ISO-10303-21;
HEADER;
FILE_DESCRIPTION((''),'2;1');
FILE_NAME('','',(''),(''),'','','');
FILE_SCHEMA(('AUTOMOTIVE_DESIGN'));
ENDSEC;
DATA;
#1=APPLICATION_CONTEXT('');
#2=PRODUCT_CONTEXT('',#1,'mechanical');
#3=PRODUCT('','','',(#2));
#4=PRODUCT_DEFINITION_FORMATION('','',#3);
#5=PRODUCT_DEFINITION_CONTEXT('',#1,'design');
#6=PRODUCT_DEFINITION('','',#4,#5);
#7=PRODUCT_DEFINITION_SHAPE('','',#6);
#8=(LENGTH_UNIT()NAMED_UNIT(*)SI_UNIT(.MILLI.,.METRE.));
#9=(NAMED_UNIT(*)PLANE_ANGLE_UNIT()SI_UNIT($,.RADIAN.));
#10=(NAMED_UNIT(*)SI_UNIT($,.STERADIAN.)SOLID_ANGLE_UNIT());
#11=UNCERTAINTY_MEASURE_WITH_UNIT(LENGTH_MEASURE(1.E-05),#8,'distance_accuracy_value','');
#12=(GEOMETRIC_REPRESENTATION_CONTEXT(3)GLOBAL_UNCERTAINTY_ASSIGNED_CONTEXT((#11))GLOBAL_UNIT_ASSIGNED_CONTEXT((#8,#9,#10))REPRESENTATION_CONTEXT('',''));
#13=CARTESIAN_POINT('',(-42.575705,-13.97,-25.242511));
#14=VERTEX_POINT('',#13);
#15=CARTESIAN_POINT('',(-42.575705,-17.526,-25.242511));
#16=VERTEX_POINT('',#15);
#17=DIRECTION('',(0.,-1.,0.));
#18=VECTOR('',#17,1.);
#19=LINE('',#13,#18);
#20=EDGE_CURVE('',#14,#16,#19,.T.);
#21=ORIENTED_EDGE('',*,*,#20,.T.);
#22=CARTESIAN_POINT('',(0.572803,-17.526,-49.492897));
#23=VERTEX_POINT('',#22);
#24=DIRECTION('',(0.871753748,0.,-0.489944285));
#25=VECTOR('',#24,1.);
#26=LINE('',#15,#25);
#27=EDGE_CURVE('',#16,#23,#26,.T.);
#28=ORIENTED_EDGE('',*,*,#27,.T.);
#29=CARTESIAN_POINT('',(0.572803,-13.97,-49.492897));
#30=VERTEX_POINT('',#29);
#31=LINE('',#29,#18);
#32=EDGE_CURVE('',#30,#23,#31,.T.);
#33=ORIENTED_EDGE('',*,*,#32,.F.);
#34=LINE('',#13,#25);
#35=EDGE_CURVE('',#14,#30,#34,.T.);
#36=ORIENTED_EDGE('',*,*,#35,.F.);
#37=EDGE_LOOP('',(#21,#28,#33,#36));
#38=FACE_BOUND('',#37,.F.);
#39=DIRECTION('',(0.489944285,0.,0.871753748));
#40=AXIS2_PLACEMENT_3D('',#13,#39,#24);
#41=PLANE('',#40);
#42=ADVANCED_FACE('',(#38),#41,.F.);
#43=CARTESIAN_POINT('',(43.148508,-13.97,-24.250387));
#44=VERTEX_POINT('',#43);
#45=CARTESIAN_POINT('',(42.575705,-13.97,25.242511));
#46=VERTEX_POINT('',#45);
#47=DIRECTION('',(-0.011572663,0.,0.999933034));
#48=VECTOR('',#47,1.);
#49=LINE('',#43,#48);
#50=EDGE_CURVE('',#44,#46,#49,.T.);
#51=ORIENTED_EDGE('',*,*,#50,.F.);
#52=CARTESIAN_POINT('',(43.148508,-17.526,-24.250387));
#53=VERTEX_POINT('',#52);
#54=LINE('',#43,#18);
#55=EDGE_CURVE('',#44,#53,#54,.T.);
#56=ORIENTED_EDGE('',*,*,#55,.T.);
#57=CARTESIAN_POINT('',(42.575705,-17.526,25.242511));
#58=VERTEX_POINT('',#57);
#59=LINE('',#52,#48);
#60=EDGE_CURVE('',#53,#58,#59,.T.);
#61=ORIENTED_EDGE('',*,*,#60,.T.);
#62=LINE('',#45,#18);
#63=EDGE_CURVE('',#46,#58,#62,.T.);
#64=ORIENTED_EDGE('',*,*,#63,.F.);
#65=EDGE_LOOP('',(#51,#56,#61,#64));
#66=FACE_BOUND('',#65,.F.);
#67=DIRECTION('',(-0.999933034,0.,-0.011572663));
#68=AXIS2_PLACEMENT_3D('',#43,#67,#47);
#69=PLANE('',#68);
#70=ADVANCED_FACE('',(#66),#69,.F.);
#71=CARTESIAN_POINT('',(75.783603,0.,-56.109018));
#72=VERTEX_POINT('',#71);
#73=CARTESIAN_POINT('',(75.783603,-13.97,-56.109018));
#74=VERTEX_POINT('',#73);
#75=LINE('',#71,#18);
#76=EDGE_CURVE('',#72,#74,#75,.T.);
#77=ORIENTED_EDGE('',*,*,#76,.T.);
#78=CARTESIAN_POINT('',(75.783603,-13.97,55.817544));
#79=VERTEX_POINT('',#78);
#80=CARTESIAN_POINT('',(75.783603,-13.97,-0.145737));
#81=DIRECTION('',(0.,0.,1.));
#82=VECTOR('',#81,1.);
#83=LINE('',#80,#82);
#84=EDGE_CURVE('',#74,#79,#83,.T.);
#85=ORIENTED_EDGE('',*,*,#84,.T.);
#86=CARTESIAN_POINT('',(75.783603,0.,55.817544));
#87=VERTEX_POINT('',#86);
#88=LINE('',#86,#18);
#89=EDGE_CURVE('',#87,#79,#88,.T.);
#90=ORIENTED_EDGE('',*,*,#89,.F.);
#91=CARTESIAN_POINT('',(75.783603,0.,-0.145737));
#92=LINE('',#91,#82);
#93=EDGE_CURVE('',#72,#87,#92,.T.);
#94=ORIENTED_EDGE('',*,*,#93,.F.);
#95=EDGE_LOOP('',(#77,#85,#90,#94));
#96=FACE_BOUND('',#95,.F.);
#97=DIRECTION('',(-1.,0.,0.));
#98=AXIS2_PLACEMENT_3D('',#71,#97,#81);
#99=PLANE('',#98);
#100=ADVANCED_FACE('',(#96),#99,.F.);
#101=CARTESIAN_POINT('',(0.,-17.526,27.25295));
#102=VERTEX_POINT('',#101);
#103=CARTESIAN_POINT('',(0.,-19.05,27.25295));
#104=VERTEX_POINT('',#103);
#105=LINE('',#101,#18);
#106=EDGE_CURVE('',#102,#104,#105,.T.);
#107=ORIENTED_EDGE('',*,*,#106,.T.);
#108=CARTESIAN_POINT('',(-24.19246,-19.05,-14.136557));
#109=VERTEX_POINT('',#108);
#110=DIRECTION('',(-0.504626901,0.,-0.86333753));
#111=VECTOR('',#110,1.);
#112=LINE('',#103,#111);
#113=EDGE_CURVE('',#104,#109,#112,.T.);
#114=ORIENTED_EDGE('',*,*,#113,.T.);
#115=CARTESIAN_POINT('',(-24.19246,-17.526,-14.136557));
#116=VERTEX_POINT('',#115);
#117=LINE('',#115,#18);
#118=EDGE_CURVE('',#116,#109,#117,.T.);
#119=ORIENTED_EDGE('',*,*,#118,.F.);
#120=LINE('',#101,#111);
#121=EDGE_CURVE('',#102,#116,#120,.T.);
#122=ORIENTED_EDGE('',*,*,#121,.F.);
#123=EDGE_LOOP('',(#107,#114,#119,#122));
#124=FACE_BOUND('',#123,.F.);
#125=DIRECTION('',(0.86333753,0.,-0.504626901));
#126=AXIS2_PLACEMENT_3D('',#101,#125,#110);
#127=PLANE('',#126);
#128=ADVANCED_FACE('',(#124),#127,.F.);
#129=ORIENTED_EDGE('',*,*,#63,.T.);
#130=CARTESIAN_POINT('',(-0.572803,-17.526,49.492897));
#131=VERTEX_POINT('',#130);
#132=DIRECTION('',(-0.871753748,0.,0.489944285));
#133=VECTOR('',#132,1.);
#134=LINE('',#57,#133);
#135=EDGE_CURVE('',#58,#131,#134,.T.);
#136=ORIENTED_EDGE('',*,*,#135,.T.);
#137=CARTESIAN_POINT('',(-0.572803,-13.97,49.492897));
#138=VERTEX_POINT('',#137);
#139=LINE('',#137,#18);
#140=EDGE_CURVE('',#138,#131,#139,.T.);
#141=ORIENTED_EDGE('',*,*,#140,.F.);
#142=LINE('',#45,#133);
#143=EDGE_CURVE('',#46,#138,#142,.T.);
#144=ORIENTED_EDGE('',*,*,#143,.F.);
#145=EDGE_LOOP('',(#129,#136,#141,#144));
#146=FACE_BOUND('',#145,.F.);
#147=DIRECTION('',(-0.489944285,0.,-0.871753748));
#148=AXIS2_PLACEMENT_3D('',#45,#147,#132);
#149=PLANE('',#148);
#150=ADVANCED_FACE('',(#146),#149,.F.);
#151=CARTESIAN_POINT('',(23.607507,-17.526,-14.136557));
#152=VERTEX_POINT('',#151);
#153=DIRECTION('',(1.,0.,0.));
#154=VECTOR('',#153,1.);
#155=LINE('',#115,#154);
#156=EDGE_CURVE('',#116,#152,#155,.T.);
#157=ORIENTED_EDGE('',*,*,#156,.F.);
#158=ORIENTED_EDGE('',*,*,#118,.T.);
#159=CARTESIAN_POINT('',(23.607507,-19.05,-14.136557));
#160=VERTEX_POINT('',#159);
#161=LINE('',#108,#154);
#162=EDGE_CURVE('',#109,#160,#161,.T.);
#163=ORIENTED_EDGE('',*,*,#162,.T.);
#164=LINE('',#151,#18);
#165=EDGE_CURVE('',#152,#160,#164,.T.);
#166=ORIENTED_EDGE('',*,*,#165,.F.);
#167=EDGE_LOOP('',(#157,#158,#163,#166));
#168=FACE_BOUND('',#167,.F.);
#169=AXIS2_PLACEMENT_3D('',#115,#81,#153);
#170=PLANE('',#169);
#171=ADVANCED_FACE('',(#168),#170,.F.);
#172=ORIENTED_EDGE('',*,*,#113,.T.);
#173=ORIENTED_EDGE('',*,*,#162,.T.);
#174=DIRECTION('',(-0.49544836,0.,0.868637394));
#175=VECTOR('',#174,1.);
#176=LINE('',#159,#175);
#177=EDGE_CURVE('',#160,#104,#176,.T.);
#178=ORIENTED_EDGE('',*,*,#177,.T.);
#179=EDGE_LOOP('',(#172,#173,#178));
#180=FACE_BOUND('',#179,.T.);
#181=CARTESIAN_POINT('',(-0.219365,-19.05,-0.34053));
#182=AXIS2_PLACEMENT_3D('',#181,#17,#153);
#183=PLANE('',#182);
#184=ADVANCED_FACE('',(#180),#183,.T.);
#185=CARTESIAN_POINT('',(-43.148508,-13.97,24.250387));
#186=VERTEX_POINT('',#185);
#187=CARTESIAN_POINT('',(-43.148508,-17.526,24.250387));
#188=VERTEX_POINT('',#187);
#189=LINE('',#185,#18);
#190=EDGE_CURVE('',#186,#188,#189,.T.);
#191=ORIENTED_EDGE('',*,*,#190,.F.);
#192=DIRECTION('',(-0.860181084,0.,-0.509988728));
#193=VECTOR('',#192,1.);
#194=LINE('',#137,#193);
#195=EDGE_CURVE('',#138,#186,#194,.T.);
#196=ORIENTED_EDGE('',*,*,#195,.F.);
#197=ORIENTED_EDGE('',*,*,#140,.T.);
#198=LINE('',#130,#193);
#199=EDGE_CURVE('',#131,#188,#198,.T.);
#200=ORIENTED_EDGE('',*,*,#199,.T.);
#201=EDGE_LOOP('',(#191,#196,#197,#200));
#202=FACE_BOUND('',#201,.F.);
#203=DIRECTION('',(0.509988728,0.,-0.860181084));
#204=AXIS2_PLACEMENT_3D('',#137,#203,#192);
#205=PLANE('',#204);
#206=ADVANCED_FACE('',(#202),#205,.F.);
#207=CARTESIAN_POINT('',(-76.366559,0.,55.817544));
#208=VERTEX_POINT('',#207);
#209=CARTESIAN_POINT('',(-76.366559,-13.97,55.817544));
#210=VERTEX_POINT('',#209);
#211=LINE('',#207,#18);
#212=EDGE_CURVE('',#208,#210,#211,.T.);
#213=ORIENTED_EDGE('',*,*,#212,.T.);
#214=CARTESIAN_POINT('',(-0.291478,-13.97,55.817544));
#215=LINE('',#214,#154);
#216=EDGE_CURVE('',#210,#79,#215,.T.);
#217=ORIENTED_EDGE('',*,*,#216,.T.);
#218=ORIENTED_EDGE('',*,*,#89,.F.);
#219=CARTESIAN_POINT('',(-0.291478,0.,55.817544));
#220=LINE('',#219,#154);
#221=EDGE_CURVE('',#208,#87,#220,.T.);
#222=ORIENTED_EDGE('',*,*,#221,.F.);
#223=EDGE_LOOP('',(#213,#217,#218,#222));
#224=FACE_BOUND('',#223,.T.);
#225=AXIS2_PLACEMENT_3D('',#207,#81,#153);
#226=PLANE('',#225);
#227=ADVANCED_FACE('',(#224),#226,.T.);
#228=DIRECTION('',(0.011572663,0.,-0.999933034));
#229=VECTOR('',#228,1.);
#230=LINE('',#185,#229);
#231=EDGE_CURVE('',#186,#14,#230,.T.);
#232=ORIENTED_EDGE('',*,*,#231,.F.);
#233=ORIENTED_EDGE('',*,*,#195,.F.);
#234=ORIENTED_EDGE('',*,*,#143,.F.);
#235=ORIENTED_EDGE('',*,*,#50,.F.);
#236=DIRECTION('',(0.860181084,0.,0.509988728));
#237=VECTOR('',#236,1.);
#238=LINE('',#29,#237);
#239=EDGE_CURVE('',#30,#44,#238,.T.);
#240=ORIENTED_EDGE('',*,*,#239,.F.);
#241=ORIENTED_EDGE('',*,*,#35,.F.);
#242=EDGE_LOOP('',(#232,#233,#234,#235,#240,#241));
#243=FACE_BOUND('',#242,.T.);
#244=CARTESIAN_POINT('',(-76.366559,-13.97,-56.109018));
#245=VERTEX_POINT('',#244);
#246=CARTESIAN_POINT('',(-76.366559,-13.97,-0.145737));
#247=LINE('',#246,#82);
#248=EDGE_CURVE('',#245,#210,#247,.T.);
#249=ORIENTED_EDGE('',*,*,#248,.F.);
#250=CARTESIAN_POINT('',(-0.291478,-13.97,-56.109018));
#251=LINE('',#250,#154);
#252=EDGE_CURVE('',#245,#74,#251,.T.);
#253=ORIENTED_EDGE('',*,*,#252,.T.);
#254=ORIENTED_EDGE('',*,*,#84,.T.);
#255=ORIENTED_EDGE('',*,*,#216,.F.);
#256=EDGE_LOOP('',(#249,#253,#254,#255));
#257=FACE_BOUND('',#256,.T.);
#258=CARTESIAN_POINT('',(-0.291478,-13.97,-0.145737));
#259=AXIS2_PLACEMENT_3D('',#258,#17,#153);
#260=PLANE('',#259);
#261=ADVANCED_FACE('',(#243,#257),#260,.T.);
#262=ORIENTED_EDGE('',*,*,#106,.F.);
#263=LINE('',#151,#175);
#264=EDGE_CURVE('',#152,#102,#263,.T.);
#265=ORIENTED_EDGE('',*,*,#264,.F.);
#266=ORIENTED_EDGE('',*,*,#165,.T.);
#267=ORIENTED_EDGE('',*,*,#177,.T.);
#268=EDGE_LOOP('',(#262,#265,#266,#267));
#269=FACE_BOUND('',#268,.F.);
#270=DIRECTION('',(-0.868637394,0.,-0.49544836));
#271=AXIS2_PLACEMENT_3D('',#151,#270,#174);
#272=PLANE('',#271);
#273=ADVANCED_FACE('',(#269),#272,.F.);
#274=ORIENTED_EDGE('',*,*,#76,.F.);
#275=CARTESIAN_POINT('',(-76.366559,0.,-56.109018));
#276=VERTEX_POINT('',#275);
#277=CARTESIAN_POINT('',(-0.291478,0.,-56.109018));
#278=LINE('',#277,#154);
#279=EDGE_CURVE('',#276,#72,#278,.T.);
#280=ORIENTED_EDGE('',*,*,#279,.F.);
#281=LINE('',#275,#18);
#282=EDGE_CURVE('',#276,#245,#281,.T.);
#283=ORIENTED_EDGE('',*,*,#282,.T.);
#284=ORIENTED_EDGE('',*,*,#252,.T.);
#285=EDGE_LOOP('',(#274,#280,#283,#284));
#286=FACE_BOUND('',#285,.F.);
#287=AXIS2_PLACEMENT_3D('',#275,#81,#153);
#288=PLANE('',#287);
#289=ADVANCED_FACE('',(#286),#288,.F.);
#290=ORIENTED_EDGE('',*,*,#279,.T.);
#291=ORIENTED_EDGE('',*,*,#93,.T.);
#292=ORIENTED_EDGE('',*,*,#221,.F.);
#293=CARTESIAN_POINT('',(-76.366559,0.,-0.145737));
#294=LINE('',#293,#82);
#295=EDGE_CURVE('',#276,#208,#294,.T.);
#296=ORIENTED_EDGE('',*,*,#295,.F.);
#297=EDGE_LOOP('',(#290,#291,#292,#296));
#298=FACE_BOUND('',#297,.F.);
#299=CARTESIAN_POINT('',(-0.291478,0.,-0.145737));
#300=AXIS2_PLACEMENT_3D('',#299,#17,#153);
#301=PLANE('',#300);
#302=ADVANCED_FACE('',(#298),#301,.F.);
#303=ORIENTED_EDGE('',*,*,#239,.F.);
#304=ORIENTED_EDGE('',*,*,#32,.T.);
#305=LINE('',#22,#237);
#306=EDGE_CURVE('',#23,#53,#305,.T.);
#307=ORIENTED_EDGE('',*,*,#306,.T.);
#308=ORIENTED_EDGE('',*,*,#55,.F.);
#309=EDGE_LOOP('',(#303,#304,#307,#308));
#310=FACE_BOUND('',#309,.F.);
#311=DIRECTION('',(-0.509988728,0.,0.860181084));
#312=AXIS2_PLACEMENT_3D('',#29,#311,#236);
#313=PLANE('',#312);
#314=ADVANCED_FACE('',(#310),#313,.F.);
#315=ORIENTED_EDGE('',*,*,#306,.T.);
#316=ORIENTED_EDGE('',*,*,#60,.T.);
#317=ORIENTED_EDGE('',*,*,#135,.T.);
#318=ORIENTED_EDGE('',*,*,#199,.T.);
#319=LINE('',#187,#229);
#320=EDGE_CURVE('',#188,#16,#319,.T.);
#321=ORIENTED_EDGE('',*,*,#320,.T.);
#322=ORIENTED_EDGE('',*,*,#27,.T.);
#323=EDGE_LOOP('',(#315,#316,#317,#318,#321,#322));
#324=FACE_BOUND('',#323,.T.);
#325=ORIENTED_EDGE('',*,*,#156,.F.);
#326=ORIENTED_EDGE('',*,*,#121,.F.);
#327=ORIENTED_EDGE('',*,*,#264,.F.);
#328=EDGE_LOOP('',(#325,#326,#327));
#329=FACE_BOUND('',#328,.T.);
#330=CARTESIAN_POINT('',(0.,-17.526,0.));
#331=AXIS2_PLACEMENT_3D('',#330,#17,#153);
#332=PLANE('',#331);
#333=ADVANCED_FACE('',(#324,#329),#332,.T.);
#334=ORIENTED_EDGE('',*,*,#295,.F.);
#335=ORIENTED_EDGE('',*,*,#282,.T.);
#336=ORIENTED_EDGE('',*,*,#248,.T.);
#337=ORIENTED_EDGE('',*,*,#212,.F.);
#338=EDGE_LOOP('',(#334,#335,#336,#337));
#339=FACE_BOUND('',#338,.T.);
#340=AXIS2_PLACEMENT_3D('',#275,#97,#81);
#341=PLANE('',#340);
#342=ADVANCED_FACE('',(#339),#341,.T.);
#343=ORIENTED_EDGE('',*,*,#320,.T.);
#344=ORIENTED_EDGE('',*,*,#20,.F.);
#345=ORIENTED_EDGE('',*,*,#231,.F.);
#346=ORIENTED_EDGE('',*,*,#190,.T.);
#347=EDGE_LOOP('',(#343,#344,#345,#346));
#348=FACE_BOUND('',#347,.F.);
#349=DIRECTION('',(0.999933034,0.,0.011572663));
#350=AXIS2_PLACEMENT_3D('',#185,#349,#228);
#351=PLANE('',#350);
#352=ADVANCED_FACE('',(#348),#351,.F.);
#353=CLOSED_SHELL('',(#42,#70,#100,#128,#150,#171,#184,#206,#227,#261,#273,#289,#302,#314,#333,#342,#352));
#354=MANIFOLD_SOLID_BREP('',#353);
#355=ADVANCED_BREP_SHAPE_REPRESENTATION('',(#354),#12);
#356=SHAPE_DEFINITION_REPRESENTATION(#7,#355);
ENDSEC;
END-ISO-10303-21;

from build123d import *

# Parameters (mm, degrees)
F0_W     = 152.150162
F0_H     = 111.926563
F1_DEPTH = 13.97
F3_DEPTH = 3.556
F5_DEPTH = 1.524


with BuildPart() as f1:
    # F0 (on Front) → F1 (new body)
    with BuildSketch(Plane.XZ):
        with Locations((-0.291478, -0.145737)):
            Rectangle(F0_W, F0_H)
    extrude(amount=F1_DEPTH)

    # F2 (on face) → F3 (join)
    with BuildSketch(Plane.XZ.offset(13.97)):
        Polygon((-0.572803, 49.492897), (-43.148508, 24.250387), (-42.575705, -25.242511), (0.572803, -49.492897), (43.148508, -24.250387), (42.575705, 25.242511), align=None)
    extrude(amount=F3_DEPTH)

    # F4 (on face) → F5 (join)
    with BuildSketch(Plane.XZ.offset(17.526)):
        Polygon((23.607507, -14.136557), (0, 27.25295), (-24.19246, -14.136557), align=None)
    extrude(amount=F5_DEPTH)


solid = f1.part
